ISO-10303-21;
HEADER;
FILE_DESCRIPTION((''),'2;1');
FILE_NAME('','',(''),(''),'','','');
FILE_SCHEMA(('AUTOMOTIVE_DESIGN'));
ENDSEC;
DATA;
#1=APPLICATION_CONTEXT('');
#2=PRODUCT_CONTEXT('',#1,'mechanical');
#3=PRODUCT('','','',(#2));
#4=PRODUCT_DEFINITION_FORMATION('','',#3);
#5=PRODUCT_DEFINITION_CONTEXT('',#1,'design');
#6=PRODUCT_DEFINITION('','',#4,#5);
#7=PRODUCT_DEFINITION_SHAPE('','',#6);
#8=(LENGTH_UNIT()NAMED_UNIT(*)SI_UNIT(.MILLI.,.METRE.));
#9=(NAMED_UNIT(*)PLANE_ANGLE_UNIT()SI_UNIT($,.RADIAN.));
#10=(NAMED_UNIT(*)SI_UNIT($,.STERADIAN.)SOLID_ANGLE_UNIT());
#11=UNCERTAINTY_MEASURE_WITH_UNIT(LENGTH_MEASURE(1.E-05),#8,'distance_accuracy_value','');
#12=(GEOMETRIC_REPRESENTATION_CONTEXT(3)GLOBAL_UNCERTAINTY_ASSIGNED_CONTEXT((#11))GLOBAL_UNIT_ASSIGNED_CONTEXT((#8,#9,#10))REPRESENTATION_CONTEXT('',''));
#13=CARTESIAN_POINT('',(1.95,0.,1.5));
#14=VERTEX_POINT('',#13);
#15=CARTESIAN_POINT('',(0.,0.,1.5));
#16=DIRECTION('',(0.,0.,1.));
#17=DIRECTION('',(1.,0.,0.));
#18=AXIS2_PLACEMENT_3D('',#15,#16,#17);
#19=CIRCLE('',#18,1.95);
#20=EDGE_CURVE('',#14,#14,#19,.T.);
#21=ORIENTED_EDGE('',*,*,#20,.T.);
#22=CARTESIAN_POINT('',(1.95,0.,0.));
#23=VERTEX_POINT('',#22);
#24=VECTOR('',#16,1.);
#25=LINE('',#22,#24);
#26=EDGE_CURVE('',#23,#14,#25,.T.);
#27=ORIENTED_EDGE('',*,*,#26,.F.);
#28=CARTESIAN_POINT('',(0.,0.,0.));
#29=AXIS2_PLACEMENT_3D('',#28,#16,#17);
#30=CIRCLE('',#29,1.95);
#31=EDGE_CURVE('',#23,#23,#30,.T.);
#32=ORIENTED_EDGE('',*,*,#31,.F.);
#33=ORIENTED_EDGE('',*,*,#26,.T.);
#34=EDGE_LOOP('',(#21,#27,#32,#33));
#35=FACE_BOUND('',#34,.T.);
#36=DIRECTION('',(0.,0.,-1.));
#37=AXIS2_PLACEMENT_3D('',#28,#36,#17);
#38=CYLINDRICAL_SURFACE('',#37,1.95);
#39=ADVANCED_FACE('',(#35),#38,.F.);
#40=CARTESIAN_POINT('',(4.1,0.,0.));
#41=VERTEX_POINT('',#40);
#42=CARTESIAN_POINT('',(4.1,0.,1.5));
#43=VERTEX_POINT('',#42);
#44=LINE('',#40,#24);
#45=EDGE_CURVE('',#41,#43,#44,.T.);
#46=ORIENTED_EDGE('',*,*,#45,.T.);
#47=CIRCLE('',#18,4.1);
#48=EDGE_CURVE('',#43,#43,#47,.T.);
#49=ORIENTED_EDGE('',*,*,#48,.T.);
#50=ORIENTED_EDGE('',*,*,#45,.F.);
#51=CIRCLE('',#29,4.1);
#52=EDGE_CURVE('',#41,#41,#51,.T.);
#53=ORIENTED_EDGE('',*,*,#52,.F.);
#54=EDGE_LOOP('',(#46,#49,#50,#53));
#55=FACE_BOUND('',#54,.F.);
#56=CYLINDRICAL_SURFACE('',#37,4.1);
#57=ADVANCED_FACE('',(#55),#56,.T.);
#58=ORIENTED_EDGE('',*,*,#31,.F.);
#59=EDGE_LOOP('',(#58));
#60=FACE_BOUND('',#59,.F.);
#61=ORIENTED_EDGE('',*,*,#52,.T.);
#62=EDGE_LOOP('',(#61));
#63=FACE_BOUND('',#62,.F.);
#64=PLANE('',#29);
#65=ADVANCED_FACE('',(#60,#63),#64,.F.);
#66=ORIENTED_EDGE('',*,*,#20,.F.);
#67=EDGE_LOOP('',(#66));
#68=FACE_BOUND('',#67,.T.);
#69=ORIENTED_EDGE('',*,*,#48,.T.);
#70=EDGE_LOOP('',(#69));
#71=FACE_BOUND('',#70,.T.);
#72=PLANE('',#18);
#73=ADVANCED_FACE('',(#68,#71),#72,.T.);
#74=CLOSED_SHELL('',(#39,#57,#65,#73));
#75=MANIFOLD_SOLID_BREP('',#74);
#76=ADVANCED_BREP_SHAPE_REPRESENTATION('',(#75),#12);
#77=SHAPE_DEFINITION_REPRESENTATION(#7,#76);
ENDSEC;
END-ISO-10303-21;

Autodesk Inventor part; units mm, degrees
ref_plane "YZ Plane" through (0, 0, 0) normal (1, 0, 0) x (0, 1, 0)
ref_plane "XZ Plane" through (0, 0, 0) normal (0, 1, 0) x (-1, 0, 0)
ref_plane "XY Plane" through (0, 0, 0) normal (0, 0, 1) x (1, 0, 0)
sketch "Sketch1" plane through (0, 0, 0) normal (0, 0, 1) x (1, 0, 0)
  circle A0 centre (0, 0) radius 4.1
  circle A1 centre (0, 0) radius 1.95
  dimension "d0" = 8.2
  dimension "d1" = 3.9
extrude "Extrusion1" add sketch "Sketch1" along normal blind 1.5
properties part number "tube guide bushing"
